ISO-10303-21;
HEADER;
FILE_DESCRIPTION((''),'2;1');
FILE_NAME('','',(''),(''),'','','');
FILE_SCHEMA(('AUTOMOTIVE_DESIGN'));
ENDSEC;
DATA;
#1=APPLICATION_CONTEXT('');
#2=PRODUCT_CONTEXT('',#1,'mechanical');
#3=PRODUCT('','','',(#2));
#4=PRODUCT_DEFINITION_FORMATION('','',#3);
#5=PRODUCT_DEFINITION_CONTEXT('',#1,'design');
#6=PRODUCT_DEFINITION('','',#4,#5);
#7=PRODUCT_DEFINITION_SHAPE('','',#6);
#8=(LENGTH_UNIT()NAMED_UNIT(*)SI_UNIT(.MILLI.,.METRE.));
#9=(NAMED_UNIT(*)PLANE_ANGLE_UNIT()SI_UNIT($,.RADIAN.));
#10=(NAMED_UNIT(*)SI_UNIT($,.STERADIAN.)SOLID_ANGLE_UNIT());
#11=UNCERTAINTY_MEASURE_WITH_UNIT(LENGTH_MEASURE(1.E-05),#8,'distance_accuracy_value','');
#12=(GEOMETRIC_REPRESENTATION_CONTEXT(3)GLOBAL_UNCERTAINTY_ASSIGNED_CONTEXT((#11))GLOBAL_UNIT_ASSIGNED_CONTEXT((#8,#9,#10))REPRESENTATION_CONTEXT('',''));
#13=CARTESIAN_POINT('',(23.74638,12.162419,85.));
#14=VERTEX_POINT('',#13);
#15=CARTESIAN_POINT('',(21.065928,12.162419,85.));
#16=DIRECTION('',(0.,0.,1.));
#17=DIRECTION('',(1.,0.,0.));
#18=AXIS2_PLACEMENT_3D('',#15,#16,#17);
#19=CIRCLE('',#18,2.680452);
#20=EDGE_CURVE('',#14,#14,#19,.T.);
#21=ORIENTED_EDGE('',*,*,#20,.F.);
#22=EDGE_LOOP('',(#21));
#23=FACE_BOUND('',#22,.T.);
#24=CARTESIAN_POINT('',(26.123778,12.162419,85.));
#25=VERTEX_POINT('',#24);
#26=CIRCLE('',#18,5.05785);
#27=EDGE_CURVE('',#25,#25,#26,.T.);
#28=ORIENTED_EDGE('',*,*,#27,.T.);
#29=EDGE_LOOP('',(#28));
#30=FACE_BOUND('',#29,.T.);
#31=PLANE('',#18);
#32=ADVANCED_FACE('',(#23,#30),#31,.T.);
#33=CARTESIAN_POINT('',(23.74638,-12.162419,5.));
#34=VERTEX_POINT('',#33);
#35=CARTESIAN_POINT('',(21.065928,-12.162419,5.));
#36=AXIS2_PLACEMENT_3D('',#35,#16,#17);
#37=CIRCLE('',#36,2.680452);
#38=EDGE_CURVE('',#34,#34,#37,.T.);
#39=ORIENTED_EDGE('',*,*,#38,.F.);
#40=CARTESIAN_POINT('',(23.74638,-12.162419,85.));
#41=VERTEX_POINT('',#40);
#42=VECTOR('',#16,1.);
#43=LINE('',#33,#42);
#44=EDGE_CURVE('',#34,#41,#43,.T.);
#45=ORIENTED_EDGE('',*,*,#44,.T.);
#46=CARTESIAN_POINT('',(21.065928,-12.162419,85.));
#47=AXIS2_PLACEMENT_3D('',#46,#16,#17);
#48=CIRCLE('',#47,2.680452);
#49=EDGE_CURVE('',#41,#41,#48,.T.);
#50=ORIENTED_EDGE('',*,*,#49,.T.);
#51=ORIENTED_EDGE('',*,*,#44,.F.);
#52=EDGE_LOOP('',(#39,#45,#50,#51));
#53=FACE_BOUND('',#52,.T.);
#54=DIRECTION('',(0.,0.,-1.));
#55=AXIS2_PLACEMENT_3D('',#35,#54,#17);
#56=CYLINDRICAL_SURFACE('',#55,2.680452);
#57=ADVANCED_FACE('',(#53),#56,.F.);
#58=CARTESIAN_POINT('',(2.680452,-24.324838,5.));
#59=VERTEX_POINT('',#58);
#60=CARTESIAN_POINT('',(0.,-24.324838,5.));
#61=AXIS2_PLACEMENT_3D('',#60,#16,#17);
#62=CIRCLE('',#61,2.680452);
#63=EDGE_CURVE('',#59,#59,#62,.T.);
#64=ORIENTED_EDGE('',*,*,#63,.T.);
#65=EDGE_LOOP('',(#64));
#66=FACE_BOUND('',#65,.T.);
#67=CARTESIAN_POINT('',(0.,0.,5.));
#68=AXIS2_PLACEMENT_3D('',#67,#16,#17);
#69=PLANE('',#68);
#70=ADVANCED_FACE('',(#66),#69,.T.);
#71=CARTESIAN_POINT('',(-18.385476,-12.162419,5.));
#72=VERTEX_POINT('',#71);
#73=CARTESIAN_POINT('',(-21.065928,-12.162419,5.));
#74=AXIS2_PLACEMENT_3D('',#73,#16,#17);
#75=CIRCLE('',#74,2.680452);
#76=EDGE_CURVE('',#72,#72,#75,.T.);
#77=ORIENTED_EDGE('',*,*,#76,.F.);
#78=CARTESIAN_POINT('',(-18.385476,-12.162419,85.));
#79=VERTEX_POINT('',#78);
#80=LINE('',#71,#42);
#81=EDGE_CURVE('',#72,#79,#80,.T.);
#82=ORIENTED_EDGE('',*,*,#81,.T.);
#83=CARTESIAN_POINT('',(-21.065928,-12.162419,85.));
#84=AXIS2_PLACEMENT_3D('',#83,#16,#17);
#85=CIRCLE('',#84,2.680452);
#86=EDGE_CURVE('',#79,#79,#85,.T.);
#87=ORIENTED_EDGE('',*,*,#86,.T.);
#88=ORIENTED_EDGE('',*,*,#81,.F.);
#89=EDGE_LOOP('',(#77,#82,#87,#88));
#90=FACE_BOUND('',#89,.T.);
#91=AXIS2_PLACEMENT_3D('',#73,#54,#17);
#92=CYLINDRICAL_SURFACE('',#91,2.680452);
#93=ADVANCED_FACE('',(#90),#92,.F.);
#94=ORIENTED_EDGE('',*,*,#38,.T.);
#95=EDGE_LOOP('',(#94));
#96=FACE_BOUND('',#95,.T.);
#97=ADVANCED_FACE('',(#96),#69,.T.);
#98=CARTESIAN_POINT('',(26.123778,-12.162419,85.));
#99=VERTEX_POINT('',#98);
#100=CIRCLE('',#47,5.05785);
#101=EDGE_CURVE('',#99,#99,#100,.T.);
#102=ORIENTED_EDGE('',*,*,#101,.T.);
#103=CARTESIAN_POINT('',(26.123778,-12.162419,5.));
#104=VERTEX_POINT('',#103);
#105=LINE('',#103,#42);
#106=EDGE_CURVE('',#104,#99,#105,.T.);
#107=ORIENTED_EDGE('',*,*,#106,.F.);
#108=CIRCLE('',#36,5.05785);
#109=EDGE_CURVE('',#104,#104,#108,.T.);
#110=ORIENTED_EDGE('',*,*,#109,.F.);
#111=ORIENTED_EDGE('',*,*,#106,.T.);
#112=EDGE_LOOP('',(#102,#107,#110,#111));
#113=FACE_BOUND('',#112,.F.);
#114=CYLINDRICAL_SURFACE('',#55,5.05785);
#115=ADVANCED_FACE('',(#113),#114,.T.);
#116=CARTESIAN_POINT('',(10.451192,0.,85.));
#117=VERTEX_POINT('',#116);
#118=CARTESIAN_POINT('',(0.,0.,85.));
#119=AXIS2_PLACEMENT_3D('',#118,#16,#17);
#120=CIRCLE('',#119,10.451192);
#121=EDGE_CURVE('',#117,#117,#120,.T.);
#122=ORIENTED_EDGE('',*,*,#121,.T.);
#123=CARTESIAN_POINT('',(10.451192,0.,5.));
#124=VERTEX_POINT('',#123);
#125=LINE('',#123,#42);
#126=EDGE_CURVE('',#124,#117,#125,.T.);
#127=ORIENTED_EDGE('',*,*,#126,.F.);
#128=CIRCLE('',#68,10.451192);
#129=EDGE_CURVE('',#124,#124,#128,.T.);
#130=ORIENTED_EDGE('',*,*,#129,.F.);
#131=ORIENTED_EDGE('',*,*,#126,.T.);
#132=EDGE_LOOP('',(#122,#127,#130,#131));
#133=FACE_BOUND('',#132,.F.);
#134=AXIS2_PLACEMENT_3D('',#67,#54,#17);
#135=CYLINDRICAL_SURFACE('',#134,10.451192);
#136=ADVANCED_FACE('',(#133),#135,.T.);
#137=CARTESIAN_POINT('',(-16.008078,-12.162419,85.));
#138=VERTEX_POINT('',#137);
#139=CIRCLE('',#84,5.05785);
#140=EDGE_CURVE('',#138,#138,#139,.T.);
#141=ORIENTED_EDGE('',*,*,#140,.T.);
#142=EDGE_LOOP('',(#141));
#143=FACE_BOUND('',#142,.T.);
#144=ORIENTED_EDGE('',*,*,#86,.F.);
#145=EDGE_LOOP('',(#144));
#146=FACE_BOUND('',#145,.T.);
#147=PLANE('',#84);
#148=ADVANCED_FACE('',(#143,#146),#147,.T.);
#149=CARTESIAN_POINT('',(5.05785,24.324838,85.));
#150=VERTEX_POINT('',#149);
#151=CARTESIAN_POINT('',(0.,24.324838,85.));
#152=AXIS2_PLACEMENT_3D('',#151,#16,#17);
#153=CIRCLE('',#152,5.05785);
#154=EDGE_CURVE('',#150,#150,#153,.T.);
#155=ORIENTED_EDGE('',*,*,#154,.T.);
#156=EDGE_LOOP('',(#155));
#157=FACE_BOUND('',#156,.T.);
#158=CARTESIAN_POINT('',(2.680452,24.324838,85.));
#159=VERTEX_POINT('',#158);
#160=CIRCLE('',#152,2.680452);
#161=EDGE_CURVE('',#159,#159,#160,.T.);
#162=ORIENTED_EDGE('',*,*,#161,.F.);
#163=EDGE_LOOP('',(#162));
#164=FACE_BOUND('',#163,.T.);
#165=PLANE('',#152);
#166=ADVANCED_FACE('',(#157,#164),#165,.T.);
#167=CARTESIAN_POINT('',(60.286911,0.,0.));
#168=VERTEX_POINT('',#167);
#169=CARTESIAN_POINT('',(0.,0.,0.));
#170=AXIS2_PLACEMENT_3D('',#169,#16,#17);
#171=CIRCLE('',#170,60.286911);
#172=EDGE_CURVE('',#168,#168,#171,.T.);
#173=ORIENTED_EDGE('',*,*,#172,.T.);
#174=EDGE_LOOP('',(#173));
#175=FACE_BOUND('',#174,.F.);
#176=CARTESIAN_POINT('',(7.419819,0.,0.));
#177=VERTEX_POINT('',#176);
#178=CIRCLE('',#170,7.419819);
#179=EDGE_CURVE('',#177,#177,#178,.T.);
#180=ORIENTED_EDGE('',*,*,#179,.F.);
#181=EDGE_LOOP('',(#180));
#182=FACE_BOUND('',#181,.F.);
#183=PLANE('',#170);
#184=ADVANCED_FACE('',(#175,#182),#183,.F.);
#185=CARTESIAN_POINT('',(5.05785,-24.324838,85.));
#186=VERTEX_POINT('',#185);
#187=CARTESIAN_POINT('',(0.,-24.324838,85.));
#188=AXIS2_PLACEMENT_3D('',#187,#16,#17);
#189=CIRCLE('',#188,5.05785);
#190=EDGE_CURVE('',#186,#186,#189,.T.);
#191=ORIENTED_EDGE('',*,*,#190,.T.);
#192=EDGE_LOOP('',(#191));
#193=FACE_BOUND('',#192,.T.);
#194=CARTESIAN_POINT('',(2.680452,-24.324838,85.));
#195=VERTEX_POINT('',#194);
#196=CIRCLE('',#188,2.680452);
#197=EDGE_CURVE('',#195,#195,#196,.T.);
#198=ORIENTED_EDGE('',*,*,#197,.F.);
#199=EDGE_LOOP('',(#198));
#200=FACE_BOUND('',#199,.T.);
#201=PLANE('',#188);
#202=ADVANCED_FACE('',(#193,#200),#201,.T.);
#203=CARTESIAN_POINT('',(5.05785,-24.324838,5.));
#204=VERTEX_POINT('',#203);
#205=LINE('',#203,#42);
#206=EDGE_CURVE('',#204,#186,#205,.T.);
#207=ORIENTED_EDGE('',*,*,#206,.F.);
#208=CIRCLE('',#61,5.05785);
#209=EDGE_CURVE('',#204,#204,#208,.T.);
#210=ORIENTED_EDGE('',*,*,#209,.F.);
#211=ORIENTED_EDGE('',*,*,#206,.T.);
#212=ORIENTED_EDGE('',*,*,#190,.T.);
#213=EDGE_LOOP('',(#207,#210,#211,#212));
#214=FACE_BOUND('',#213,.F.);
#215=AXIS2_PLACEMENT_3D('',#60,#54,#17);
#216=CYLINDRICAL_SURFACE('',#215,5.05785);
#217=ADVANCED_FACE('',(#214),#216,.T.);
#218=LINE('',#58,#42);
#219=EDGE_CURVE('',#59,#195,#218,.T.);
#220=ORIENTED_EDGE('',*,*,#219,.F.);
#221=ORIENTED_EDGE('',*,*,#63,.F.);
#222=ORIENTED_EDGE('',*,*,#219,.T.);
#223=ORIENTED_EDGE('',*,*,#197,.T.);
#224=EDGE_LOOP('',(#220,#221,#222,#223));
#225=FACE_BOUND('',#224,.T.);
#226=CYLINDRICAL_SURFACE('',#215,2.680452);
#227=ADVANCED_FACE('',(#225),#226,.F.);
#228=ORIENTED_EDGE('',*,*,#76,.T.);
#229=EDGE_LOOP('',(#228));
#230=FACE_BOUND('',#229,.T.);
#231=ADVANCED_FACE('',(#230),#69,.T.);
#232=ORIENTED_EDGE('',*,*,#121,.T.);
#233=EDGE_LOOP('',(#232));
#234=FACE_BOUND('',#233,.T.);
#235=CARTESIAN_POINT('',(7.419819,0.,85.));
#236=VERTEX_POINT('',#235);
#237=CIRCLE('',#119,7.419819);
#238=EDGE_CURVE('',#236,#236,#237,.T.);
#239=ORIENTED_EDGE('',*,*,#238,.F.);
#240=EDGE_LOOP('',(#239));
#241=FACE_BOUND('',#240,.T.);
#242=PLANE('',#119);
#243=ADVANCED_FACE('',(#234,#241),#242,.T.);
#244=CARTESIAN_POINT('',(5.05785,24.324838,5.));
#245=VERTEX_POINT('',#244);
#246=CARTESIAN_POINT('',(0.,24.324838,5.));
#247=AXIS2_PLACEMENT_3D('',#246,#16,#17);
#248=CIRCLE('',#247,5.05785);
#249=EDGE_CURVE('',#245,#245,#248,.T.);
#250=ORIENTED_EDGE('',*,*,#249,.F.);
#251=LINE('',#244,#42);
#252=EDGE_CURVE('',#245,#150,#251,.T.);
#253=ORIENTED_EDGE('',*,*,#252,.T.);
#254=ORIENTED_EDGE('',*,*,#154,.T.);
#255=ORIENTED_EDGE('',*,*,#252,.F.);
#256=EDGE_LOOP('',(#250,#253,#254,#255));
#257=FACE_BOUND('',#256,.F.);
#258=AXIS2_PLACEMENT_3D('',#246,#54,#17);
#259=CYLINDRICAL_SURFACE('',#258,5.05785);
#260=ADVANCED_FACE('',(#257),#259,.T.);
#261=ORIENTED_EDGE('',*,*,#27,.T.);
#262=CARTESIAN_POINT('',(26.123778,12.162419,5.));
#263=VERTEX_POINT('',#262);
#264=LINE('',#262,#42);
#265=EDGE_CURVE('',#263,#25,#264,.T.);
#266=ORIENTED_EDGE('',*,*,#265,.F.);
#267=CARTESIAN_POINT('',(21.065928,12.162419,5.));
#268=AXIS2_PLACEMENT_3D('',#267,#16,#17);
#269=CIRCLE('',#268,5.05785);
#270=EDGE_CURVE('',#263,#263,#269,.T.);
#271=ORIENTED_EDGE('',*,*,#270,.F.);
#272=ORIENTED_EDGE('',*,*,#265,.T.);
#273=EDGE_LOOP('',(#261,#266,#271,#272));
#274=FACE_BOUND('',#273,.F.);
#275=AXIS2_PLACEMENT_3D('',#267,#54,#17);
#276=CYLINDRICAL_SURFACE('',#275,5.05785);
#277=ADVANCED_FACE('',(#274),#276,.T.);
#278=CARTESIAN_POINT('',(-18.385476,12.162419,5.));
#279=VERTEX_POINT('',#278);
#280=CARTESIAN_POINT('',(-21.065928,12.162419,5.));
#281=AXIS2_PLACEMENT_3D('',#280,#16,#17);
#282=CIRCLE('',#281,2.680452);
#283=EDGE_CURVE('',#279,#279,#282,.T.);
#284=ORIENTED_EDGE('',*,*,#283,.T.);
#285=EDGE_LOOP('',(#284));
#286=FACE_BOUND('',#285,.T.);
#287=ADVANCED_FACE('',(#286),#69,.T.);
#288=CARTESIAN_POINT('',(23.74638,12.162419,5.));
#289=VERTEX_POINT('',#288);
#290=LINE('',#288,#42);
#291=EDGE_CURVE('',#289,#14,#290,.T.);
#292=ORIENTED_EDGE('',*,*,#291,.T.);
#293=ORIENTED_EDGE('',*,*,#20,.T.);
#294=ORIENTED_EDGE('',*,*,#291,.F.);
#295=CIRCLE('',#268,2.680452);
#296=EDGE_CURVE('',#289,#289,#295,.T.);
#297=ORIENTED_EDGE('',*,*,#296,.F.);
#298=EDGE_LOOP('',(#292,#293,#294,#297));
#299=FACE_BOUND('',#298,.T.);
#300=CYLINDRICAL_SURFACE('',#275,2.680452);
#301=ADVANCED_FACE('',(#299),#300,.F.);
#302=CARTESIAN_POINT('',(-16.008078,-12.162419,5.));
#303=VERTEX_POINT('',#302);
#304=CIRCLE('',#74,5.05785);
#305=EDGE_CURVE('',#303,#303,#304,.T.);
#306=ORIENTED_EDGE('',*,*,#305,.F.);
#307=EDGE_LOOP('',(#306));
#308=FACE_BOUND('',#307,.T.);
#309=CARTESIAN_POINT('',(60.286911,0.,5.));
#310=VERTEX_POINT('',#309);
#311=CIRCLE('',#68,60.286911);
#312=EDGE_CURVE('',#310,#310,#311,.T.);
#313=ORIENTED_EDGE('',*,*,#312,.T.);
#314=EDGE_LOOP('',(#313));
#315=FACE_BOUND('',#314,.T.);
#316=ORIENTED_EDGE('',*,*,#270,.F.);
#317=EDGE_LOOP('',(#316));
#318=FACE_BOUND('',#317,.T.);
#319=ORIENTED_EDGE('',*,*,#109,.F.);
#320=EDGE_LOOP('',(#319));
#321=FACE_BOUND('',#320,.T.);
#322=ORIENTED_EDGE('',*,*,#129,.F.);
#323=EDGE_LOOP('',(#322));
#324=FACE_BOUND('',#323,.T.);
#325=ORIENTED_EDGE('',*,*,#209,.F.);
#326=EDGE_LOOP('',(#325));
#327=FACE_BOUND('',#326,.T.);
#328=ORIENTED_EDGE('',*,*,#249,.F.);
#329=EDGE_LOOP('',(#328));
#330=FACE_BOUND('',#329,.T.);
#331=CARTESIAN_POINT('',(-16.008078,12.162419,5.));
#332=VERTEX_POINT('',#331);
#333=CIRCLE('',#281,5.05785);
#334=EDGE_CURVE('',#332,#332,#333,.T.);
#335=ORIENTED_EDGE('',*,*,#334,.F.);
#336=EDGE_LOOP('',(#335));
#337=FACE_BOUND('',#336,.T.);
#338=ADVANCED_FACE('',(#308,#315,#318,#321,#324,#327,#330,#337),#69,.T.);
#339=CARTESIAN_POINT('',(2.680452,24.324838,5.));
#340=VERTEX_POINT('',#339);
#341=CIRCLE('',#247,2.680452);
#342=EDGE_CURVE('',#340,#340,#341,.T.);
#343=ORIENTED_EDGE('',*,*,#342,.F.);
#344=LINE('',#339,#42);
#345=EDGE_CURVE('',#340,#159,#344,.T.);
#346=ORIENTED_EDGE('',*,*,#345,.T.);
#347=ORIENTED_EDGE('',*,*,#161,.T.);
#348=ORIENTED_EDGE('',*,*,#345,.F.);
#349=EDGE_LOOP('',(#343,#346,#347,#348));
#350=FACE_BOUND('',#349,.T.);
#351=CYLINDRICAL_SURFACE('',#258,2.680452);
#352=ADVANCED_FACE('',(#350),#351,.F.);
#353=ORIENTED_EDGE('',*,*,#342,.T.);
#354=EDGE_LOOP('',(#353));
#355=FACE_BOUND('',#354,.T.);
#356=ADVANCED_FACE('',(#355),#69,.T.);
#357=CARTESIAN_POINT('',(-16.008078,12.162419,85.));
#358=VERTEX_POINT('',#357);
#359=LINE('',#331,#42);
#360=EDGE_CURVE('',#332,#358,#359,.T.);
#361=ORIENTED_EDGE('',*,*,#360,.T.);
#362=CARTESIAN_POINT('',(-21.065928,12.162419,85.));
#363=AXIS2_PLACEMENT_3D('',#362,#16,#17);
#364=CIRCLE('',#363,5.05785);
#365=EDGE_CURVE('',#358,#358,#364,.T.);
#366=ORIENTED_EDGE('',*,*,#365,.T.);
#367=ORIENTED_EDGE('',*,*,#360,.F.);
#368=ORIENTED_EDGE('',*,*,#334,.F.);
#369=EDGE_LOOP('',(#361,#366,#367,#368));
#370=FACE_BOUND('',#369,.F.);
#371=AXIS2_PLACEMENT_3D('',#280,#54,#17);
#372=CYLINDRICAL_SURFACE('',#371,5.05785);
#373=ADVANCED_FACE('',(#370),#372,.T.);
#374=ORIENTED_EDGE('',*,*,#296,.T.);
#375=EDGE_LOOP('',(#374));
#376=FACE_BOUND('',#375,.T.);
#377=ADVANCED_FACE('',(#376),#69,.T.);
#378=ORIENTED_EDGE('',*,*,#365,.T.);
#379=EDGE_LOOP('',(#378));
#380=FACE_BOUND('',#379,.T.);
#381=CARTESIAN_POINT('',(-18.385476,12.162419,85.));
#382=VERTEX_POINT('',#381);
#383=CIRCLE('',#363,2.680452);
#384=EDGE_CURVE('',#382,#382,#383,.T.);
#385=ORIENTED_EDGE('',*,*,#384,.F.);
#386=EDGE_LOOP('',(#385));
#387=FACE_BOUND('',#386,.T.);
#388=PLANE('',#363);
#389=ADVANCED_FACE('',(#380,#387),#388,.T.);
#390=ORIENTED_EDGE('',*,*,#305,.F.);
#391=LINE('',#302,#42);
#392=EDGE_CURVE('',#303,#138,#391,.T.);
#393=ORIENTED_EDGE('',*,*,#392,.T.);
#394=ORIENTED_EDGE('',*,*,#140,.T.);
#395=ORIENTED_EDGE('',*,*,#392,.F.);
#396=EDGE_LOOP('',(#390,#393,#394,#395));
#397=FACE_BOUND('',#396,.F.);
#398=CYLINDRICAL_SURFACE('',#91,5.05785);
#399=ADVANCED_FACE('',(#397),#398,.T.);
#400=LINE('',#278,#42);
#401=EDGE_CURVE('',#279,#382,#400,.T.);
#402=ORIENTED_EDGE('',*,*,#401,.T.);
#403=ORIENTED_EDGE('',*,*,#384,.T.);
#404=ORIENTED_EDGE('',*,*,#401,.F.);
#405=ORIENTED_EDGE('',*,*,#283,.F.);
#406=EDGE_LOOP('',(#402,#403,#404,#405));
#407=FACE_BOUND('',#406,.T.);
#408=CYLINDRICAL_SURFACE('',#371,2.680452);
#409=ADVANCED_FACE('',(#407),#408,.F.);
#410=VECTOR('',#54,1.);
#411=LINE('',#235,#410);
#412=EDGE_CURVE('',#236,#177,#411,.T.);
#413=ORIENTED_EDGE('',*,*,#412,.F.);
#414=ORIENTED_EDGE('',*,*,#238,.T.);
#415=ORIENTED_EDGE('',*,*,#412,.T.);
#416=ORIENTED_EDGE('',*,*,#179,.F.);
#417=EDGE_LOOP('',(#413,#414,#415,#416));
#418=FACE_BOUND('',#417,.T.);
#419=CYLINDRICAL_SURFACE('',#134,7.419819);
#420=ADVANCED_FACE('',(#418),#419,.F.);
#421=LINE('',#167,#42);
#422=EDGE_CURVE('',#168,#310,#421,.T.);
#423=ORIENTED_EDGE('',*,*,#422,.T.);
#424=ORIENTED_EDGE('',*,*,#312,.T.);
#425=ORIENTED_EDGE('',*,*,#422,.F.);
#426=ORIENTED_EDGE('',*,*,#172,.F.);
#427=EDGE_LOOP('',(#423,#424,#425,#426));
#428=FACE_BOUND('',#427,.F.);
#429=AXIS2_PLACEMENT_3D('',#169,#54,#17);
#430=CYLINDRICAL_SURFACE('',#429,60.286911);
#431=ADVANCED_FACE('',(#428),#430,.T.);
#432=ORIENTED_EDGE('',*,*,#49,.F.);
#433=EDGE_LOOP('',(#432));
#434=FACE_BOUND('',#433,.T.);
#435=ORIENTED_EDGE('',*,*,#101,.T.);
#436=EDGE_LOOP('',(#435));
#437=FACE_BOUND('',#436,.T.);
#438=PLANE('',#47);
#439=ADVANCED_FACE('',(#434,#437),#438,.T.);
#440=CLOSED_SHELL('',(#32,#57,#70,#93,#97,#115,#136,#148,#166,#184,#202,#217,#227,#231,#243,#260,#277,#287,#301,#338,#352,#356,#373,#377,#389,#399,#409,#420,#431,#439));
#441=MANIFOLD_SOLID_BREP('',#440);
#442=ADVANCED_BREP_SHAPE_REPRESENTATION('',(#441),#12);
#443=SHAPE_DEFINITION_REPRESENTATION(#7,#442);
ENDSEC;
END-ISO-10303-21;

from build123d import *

# Parameters (mm, degrees)
F0_R     = 60.286911
F0_R_2   = 7.419819
F1_DEPTH = 5
F2_R     = 10.451192
F2_R_2   = 7.419819
F2_R_3   = 5.05785
F2_R_4   = 2.680452
F3_DEPTH = 80


with BuildPart() as f1:
    # F0 (on Top) → F1 (new body)
    with BuildSketch(Plane.XY):
        Circle(F0_R)
        Circle(F0_R_2, mode=Mode.SUBTRACT)
    extrude(amount=F1_DEPTH)

    # F2 (on face) → F3 (join)
    with BuildSketch(Plane.XY.offset(5)):
        Circle(F2_R)
        Circle(F2_R_2, mode=Mode.SUBTRACT)
        with Locations((0, -24.324838)):
            Circle(F2_R_3)
        with Locations((0, -24.324838)):
            Circle(F2_R_4, mode=Mode.SUBTRACT)
        with Locations((-21.065928, -12.162419)):
            Circle(F2_R_3)
        with Locations((-21.065928, -12.162419)):
            Circle(F2_R_4, mode=Mode.SUBTRACT)
        with Locations((0, 24.324838)):
            Circle(F2_R_3)
        with Locations((0, 24.324838)):
            Circle(F2_R_4, mode=Mode.SUBTRACT)
        with Locations((-21.065928, 12.162419)):
            Circle(F2_R_3)
        with Locations((-21.065928, 12.162419)):
            Circle(F2_R_4, mode=Mode.SUBTRACT)
        with Locations((21.065928, 12.162419)):
            Circle(F2_R_3)
        with Locations((21.065928, 12.162419)):
            Circle(F2_R_4, mode=Mode.SUBTRACT)
        with Locations((21.065928, -12.162419)):
            Circle(F2_R_3)
        with Locations((21.065928, -12.162419)):
            Circle(F2_R_4, mode=Mode.SUBTRACT)
    extrude(amount=F3_DEPTH)


solid = f1.part
